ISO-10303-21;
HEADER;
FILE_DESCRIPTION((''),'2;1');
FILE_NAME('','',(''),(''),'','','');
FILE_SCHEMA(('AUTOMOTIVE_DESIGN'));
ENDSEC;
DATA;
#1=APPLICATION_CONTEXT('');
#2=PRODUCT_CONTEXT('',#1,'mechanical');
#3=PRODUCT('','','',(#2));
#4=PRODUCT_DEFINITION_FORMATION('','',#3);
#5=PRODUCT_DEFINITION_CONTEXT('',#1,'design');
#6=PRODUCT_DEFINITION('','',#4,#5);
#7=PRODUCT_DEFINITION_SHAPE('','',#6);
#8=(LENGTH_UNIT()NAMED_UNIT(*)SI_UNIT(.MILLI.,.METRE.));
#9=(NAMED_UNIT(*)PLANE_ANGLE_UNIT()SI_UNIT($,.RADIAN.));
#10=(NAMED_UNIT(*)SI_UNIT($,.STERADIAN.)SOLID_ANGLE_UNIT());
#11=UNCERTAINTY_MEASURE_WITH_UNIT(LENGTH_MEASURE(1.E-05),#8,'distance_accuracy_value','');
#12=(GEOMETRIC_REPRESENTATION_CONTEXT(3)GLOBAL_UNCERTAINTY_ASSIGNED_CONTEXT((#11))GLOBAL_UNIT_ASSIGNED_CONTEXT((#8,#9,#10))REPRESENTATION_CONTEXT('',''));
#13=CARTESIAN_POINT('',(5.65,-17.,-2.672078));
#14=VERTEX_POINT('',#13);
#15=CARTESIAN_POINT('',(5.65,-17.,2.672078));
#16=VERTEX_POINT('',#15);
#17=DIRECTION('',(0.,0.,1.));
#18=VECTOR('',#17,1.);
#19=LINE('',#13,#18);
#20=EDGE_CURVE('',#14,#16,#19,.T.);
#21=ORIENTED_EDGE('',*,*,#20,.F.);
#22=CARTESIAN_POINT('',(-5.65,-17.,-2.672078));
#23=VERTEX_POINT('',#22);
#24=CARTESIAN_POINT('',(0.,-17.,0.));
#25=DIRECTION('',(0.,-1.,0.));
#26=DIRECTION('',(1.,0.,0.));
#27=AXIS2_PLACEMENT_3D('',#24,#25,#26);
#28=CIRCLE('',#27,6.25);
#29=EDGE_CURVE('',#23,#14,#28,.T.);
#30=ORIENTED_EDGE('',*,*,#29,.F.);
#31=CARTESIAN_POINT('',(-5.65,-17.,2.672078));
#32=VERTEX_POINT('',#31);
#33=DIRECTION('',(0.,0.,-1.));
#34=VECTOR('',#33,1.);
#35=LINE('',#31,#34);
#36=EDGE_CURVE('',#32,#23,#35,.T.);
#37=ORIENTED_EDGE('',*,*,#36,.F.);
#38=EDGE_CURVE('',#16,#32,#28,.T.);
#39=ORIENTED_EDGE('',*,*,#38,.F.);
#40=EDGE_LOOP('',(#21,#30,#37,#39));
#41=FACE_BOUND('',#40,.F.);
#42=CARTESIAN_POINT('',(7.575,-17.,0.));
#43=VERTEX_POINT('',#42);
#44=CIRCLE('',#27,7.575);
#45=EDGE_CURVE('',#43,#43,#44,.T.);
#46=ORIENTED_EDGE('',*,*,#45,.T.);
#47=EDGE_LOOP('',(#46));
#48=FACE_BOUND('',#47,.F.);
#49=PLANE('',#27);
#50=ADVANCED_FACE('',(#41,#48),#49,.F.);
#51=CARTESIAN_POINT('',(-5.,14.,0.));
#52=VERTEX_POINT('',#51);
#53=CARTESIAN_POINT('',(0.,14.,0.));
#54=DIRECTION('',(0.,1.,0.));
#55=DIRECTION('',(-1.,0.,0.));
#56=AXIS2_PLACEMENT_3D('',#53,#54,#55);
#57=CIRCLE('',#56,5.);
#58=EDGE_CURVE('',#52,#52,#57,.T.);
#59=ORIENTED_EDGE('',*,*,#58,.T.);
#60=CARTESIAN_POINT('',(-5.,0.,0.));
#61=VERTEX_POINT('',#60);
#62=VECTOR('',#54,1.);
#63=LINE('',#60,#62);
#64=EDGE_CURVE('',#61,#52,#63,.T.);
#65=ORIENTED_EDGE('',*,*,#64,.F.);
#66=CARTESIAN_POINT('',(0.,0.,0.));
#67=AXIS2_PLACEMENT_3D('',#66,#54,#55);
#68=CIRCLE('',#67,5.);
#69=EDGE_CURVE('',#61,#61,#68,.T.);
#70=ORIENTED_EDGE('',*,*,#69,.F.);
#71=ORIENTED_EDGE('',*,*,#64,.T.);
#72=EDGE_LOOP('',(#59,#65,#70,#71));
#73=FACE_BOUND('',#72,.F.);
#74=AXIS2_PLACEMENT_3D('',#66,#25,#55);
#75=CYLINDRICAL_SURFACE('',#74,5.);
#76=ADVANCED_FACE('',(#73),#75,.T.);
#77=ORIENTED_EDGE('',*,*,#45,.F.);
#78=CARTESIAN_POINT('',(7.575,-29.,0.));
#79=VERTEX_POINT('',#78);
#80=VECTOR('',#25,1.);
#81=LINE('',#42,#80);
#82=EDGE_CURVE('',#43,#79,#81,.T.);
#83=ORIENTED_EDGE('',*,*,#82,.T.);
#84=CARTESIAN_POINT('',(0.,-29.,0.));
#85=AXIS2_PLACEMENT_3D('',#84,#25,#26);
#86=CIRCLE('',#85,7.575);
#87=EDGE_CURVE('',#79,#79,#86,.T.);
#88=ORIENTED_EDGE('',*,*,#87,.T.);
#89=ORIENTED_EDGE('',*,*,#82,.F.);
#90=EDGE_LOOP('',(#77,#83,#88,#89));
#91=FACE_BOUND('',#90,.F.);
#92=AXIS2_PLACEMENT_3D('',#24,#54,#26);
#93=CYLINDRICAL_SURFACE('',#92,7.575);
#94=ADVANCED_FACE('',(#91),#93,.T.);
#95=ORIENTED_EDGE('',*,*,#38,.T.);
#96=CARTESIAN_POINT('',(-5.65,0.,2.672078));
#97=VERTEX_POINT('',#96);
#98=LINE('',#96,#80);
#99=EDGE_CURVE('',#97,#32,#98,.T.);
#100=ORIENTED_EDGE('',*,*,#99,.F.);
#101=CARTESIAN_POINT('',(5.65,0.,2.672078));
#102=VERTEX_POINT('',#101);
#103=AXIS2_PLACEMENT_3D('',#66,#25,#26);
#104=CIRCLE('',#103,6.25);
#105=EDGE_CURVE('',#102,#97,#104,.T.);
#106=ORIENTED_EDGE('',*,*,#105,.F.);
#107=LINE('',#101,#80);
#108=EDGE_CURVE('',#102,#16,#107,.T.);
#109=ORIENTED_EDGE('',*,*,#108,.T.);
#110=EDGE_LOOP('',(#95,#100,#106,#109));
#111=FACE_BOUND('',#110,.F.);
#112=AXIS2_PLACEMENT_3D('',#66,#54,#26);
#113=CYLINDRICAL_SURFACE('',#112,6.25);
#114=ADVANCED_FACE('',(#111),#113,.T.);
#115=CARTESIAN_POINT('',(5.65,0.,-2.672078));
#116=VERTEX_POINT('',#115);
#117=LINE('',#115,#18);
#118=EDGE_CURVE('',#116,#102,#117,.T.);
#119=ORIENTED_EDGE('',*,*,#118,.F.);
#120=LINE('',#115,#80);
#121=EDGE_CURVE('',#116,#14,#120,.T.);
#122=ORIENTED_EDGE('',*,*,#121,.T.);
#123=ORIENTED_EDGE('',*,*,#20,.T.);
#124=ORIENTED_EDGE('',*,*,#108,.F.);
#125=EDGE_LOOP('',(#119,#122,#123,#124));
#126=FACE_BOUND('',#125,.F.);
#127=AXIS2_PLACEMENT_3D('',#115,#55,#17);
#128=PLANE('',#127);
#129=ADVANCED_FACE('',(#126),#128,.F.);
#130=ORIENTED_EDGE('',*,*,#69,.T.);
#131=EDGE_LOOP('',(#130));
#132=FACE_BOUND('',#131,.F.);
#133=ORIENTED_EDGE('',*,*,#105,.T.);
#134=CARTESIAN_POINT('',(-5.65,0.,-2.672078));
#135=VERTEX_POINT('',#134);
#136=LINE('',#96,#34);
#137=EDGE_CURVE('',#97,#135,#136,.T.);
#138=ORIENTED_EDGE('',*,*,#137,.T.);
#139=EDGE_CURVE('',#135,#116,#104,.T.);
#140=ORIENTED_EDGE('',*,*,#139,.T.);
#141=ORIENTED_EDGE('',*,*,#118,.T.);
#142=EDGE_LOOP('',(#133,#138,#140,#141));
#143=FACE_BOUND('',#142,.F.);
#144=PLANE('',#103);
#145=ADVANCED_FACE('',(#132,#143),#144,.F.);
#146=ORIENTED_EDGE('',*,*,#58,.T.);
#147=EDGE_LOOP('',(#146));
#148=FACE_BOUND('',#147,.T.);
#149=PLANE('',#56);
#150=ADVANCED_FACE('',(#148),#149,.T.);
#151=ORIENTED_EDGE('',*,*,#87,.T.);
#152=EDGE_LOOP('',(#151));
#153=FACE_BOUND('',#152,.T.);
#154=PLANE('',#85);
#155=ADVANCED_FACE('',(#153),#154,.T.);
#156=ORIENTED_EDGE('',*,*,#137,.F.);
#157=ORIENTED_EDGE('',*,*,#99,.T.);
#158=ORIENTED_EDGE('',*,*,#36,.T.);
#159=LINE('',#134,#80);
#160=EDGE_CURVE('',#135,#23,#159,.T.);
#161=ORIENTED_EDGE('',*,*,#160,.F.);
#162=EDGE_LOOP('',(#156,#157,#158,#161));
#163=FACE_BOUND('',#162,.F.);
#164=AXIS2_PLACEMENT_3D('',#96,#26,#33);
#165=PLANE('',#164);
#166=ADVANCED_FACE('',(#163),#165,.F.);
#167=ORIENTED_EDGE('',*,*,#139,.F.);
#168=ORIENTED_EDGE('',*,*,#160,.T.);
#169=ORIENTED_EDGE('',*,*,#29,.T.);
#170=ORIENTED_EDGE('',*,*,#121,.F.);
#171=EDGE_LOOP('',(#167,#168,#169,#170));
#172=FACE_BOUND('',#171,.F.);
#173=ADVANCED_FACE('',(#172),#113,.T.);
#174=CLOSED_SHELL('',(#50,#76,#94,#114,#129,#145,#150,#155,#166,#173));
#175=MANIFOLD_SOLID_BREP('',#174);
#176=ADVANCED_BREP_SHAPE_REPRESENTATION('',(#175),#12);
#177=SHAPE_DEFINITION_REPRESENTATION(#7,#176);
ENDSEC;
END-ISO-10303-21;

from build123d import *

# Parameters (mm, degrees)
F0_R     = 6.25
F1_DEPTH = 17
F2_R     = 7.575
F3_DEPTH = 12
F5_DEPTH = 17
F6_R     = 5
F7_DEPTH = 14


with BuildPart() as f1:
    # F0 (on Front) → F1 (new body)
    with BuildSketch(Plane.XZ):
        Circle(F0_R)
    extrude(amount=F1_DEPTH)

    # F2 (on face) → F3 (join)
    with BuildSketch(Plane.XZ.offset(17)):
        Circle(F2_R)
    extrude(amount=F3_DEPTH)

    # F4 (on face) → F5 (cut, through all)
    with BuildSketch(Plane(origin=(0, 0, 0), x_dir=(-1, 0, 0), z_dir=(0, 1, 0))):
        with BuildLine():
            Line((-5.65, -2.6720778432), (-5.65, 2.6720778432))
            ThreePointArc((-5.65, 2.6720778432), (-6.25, 0), (-5.65, -2.6720778432))
        make_face()
        with BuildLine():
            ThreePointArc((6.25, 0), (6.0981554588, 1.3693063938), (5.65, 2.6720778432))
            Line((5.65, 2.6720778432), (5.65, -2.6720778432))
            ThreePointArc((5.65, -2.6720778432), (6.0981554588, -1.3693063938), (6.25, 0))
        make_face()
    extrude(amount=-F5_DEPTH, mode=Mode.SUBTRACT)

    # F6 (on face) → F7 (join)
    with BuildSketch(Plane(origin=(0, 0, 0), x_dir=(-1, 0, 0), z_dir=(0, 1, 0))):
        Circle(F6_R)
    extrude(amount=F7_DEPTH)


solid = f1.part
